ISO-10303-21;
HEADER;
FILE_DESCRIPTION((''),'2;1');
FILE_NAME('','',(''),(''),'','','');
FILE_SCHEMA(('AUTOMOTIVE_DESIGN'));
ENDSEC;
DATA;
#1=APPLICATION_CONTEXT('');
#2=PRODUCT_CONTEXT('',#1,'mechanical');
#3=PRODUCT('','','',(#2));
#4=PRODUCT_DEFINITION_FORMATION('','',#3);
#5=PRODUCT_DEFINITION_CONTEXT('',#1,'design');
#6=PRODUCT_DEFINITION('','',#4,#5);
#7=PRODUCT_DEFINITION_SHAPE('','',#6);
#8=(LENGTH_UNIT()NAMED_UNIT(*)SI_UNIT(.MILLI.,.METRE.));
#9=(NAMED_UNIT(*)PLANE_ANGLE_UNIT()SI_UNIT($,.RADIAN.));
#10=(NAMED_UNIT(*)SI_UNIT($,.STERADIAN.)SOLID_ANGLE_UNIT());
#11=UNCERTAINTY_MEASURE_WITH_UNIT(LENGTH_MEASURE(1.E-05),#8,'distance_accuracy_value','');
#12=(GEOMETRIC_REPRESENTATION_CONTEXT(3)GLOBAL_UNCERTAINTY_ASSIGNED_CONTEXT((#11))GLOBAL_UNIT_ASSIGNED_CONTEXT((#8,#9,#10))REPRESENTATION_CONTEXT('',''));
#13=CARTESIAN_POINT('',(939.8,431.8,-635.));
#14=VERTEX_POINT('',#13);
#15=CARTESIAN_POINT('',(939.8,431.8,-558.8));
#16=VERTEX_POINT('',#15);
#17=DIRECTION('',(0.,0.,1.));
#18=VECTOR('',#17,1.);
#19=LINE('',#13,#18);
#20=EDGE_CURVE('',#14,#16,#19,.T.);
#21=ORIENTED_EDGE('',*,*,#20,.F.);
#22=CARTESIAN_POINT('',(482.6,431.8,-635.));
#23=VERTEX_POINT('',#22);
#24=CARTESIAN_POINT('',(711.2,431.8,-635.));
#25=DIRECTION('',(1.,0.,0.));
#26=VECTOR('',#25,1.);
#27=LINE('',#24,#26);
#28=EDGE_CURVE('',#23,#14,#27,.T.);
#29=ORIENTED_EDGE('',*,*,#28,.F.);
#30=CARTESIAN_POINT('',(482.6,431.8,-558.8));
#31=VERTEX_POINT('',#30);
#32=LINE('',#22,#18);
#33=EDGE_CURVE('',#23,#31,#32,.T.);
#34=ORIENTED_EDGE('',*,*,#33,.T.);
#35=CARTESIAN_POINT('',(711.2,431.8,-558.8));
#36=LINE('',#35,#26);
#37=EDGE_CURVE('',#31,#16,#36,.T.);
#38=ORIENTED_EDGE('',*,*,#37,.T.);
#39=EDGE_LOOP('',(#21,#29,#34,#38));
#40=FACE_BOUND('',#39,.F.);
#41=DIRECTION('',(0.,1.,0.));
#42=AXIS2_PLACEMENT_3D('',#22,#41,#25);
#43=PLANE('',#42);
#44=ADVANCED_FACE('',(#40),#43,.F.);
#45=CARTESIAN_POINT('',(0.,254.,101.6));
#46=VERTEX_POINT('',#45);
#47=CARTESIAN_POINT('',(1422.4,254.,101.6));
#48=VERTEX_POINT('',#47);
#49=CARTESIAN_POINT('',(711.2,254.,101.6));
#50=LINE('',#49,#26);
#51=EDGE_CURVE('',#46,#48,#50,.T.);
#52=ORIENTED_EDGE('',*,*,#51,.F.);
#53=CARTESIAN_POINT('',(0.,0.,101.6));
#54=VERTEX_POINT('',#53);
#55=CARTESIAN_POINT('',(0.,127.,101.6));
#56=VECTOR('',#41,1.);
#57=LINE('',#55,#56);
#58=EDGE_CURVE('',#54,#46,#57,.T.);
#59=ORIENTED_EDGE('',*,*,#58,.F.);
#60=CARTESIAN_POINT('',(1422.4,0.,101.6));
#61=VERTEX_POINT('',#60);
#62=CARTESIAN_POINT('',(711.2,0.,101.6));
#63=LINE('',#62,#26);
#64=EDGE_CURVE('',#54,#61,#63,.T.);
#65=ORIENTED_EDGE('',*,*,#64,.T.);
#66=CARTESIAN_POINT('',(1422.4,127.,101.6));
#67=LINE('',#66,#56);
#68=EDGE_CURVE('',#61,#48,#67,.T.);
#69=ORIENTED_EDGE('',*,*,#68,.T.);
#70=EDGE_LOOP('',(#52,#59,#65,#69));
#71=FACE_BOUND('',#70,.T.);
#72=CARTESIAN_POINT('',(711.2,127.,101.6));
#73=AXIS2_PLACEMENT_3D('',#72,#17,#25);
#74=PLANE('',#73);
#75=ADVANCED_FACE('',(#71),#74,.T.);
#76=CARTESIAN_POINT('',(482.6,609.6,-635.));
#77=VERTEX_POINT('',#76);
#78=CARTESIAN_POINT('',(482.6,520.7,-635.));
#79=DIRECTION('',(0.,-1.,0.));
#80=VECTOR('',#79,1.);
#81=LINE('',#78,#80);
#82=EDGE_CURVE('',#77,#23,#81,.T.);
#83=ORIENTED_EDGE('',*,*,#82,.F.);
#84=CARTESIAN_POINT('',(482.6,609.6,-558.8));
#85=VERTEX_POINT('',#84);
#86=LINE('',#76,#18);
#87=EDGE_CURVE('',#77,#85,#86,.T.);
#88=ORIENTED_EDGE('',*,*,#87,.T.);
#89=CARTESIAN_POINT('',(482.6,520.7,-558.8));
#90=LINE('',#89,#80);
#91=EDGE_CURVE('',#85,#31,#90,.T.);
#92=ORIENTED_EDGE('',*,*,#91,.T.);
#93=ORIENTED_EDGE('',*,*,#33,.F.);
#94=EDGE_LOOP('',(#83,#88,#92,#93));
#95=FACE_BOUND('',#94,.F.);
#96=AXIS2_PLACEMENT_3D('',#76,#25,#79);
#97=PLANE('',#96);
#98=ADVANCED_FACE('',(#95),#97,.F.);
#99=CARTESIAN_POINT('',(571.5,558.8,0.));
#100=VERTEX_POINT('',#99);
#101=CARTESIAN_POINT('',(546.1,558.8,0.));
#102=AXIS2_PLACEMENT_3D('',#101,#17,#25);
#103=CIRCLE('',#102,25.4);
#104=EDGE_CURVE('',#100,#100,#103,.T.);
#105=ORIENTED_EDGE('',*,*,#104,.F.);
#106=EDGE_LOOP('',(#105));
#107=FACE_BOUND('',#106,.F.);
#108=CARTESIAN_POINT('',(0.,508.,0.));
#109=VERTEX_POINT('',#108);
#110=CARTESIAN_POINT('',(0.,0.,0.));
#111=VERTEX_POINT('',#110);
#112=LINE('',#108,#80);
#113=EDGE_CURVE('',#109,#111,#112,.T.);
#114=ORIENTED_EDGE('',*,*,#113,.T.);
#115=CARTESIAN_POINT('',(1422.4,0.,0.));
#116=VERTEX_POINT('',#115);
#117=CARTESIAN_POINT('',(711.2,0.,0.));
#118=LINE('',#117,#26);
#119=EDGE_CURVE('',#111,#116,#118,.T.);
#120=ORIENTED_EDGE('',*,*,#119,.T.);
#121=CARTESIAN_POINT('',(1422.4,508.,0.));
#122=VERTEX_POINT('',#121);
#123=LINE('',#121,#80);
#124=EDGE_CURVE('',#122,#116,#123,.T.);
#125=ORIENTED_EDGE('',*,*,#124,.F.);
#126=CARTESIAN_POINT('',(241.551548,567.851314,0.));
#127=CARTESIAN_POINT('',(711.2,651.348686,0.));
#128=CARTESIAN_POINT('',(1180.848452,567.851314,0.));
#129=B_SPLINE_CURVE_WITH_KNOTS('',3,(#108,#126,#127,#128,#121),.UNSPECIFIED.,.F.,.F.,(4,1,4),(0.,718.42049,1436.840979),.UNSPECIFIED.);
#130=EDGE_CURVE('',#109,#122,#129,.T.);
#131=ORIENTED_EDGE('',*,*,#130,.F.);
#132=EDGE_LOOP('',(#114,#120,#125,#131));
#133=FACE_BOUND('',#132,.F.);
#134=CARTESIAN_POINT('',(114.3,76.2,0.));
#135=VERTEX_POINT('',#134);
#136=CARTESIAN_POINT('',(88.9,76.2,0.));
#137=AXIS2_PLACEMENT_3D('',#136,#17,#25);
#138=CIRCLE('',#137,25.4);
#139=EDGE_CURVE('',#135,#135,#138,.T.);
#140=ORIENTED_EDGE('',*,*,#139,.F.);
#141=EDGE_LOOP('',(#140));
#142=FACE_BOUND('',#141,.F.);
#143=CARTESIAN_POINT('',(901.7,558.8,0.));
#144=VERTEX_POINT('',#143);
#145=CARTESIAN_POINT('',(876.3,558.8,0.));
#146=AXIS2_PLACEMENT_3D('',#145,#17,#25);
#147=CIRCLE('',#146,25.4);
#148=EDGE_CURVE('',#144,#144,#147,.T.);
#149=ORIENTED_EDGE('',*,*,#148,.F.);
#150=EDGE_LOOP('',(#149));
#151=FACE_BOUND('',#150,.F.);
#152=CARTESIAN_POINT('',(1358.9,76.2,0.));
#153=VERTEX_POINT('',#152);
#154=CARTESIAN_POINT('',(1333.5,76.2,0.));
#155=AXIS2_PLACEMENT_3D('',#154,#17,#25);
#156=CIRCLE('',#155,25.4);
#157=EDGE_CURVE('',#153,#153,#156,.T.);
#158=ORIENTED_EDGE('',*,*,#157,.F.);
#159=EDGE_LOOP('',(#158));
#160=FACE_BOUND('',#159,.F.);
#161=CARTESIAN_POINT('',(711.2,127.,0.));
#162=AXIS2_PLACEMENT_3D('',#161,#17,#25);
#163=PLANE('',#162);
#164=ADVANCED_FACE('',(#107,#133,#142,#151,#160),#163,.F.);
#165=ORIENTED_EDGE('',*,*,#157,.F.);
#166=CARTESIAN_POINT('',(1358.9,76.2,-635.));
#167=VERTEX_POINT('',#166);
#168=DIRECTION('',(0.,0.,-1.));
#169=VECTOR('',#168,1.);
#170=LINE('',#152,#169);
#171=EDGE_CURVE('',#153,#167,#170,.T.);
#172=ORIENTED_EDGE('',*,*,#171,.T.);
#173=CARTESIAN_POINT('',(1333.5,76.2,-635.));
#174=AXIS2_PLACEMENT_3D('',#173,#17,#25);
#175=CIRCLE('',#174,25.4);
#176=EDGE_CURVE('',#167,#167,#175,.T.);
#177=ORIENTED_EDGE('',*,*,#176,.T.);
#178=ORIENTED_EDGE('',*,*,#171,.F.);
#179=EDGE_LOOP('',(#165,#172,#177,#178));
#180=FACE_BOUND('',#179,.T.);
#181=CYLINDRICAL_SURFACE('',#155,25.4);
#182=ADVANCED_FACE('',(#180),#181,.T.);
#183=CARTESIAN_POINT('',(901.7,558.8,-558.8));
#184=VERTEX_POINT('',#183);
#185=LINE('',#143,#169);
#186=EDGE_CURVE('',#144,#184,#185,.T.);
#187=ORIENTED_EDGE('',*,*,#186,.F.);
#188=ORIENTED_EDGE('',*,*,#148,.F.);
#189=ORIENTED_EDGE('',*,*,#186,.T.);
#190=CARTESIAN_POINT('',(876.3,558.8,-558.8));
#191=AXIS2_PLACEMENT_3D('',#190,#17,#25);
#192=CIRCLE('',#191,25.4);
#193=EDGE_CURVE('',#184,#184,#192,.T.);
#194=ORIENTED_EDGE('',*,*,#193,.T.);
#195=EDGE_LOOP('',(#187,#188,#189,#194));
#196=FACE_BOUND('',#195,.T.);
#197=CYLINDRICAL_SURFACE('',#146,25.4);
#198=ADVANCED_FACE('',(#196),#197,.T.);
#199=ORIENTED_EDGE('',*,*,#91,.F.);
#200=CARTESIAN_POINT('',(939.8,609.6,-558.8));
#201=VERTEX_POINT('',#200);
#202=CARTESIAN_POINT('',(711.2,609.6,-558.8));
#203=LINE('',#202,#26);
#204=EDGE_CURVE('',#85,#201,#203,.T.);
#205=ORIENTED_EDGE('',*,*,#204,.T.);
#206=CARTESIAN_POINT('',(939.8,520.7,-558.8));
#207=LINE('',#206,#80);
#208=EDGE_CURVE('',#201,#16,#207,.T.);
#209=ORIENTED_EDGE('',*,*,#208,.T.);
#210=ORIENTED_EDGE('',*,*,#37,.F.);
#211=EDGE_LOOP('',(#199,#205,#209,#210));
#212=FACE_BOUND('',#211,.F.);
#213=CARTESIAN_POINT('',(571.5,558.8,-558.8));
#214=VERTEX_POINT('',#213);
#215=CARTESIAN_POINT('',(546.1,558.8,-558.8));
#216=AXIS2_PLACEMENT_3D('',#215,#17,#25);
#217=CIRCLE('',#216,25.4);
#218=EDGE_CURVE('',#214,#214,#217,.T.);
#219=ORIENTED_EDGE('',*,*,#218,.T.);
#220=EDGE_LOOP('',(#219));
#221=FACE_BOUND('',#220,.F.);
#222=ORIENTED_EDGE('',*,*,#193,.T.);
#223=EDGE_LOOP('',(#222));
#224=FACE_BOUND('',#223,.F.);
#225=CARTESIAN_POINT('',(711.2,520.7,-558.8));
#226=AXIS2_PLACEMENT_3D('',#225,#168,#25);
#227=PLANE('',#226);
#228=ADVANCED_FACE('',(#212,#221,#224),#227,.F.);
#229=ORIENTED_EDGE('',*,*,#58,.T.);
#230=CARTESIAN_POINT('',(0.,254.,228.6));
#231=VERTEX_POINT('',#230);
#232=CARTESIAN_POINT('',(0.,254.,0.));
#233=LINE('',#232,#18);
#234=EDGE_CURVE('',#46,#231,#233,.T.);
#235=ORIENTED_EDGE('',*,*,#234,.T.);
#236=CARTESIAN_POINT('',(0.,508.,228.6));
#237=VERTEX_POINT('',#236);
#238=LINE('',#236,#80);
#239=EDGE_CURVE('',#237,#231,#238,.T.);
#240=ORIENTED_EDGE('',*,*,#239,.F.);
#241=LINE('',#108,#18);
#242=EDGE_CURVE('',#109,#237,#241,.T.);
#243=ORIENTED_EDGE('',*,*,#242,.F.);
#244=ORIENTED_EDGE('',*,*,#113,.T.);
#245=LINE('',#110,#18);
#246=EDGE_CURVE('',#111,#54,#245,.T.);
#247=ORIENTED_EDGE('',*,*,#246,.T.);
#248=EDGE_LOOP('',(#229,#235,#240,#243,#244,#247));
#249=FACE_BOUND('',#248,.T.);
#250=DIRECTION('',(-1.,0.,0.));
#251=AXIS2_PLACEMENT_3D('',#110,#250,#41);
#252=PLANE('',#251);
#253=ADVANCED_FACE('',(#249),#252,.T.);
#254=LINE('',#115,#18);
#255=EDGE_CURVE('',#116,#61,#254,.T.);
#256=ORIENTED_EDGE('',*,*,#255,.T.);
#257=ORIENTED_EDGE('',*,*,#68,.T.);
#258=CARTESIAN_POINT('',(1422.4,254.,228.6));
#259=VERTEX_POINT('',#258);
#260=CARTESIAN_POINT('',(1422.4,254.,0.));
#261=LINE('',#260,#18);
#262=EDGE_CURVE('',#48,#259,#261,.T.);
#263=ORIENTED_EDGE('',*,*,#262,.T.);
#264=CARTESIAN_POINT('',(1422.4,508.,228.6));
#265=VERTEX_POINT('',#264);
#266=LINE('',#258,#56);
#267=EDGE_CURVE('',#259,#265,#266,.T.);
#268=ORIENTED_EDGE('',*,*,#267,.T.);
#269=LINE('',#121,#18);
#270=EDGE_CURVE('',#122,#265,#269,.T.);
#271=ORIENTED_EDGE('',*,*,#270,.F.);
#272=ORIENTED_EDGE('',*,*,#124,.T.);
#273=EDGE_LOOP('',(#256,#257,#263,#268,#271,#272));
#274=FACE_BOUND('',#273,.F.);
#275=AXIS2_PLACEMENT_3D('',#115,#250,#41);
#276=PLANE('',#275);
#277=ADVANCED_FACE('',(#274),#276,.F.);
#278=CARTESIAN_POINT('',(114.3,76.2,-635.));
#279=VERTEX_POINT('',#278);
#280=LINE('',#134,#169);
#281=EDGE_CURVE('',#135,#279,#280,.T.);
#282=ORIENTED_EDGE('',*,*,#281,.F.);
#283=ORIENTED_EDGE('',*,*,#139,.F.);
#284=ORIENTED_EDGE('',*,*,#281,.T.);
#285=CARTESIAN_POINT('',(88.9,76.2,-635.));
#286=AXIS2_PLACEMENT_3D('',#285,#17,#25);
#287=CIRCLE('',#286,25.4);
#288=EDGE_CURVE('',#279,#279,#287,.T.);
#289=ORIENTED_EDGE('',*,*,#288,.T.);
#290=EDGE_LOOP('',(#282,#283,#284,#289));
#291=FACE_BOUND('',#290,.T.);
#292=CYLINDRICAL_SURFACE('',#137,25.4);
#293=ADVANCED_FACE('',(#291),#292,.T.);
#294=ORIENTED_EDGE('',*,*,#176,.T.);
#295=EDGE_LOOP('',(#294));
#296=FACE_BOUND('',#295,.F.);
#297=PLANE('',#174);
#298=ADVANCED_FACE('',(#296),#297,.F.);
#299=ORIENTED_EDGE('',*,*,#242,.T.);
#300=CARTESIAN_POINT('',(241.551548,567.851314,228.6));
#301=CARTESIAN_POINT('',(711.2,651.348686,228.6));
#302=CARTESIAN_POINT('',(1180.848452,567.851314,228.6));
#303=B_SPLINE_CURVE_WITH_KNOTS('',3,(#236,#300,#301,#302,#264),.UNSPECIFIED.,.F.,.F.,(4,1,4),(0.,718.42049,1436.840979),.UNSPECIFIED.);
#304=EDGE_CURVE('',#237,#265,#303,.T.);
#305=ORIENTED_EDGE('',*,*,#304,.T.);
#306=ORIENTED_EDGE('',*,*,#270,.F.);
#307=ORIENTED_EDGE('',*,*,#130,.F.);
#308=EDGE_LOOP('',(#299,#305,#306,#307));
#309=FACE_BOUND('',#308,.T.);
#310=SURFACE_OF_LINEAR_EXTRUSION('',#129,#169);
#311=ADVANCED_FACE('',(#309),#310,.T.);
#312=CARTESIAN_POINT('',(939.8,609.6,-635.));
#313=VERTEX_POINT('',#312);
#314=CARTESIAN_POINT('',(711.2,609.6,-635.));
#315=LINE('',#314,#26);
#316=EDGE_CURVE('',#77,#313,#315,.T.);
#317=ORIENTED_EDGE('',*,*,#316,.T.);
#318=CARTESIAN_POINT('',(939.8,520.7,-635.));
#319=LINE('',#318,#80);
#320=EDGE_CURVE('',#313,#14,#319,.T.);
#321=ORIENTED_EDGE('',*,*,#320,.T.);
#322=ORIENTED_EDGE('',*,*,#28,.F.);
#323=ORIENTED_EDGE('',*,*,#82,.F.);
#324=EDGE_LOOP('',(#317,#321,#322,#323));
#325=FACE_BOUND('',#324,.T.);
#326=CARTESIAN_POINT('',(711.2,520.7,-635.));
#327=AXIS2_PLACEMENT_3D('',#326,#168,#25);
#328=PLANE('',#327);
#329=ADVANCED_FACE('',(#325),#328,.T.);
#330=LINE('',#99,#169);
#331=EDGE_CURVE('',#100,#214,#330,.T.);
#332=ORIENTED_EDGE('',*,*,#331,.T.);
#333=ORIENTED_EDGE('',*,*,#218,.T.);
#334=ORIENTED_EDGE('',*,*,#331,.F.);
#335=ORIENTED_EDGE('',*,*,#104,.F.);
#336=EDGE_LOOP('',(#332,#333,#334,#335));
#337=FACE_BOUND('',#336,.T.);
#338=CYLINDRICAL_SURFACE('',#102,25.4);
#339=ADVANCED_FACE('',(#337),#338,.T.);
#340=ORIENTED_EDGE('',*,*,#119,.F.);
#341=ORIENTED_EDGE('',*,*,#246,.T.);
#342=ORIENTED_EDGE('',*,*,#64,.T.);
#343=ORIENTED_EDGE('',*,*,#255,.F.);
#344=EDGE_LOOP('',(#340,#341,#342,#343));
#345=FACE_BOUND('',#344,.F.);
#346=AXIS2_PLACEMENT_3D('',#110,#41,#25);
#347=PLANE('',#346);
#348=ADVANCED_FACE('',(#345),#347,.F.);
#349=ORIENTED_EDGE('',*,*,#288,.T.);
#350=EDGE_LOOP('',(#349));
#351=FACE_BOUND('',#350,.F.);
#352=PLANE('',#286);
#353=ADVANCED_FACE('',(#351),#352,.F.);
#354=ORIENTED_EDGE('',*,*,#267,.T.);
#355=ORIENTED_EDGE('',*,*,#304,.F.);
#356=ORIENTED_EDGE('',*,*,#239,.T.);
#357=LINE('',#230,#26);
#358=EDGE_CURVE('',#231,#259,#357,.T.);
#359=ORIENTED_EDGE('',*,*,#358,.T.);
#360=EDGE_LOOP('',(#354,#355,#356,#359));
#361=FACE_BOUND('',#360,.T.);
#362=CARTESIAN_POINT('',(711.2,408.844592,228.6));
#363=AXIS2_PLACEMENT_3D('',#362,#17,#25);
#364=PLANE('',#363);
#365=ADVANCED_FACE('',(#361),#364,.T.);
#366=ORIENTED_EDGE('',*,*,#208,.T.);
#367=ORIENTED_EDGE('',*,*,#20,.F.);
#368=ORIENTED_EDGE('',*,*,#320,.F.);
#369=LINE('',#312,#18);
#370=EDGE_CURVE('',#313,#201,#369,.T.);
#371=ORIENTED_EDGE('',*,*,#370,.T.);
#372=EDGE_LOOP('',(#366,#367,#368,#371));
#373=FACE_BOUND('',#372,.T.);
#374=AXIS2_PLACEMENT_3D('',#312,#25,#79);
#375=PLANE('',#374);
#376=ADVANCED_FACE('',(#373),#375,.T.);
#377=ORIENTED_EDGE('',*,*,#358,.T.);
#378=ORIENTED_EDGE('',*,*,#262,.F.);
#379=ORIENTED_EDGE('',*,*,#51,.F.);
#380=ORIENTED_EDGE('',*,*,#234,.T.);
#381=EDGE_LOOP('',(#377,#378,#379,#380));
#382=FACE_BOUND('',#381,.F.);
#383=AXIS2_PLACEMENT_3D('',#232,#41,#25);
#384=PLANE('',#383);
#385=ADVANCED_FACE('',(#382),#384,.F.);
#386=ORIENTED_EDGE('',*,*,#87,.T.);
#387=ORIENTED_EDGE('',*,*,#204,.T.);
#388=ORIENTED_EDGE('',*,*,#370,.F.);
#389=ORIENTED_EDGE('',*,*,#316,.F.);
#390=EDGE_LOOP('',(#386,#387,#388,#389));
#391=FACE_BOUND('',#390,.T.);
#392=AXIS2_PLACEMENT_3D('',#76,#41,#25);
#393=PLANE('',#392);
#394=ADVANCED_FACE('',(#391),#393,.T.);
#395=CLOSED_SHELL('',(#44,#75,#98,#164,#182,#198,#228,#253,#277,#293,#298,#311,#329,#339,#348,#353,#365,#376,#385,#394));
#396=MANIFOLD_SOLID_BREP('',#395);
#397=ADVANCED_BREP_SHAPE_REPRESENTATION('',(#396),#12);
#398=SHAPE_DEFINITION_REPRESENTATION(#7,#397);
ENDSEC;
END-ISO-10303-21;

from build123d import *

# Parameters (mm, degrees)
F0_R     = 25.4
F1_DEPTH = 228.6
F0_W     = 1422.4
F0_H     = 254
F2_DEPTH = 101.6
F3_DEPTH = 635
F4_W     = 457.2
F4_H     = 177.8
F5_DEPTH = 76.2


with BuildPart() as f1:
    # F0 (on Top) → F1 (new body)
    with BuildSketch(Plane.XY):
        with BuildLine():
            Line((0, 508), (0, 254))
            Line((0, 254), (1422.4, 254))
            Line((1422.4, 254), (1422.4, 508))
            add(Edge.make_bspline(
                [(0, 508), (241.551548, 567.851314), (711.2, 651.348686), (1180.848452, 567.851314), (1422.4, 508)],
                knots=[0, 0, 0, 0, 718.42049, 1436.840979, 1436.840979, 1436.840979, 1436.840979], degree=3))
        make_face()
        with Locations((546.1, 558.8)):
            Circle(F0_R, mode=Mode.SUBTRACT)
        with Locations((876.3, 558.8)):
            Circle(F0_R, mode=Mode.SUBTRACT)
        with Locations((546.1, 558.8)):
            Circle(F0_R)
        with Locations((876.3, 558.8)):
            Circle(F0_R)
    extrude(amount=F1_DEPTH)

    # F0 (on Top) → F2 (join)
    with BuildSketch(Plane.XY):
        with Locations((711.2, 127)):
            Rectangle(F0_W, F0_H)
        with Locations((88.9, 76.2)):
            Circle(F0_R, mode=Mode.SUBTRACT)
        with Locations((1333.5, 76.2)):
            Circle(F0_R, mode=Mode.SUBTRACT)
        with Locations((88.9, 76.2)):
            Circle(F0_R)
        with Locations((1333.5, 76.2)):
            Circle(F0_R)
    extrude(amount=F2_DEPTH)

    # F0 (on Top) → F3 (join)
    with BuildSketch(Plane.XY):
        with Locations((876.3, 558.8)):
            Circle(F0_R)
        with Locations((546.1, 558.8)):
            Circle(F0_R)
        with Locations((1333.5, 76.2)):
            Circle(F0_R)
        with Locations((88.9, 76.2)):
            Circle(F0_R)
    extrude(amount=-F3_DEPTH)

    # F4 (on face) → F5 (join)
    with BuildSketch(Plane(origin=(0, 0, -635), x_dir=(1, 0, 0), z_dir=(0, 0, -1))):
        with Locations((711.2, -520.7)):
            Rectangle(F4_W, F4_H)
    extrude(amount=-F5_DEPTH)


solid = f1.part
